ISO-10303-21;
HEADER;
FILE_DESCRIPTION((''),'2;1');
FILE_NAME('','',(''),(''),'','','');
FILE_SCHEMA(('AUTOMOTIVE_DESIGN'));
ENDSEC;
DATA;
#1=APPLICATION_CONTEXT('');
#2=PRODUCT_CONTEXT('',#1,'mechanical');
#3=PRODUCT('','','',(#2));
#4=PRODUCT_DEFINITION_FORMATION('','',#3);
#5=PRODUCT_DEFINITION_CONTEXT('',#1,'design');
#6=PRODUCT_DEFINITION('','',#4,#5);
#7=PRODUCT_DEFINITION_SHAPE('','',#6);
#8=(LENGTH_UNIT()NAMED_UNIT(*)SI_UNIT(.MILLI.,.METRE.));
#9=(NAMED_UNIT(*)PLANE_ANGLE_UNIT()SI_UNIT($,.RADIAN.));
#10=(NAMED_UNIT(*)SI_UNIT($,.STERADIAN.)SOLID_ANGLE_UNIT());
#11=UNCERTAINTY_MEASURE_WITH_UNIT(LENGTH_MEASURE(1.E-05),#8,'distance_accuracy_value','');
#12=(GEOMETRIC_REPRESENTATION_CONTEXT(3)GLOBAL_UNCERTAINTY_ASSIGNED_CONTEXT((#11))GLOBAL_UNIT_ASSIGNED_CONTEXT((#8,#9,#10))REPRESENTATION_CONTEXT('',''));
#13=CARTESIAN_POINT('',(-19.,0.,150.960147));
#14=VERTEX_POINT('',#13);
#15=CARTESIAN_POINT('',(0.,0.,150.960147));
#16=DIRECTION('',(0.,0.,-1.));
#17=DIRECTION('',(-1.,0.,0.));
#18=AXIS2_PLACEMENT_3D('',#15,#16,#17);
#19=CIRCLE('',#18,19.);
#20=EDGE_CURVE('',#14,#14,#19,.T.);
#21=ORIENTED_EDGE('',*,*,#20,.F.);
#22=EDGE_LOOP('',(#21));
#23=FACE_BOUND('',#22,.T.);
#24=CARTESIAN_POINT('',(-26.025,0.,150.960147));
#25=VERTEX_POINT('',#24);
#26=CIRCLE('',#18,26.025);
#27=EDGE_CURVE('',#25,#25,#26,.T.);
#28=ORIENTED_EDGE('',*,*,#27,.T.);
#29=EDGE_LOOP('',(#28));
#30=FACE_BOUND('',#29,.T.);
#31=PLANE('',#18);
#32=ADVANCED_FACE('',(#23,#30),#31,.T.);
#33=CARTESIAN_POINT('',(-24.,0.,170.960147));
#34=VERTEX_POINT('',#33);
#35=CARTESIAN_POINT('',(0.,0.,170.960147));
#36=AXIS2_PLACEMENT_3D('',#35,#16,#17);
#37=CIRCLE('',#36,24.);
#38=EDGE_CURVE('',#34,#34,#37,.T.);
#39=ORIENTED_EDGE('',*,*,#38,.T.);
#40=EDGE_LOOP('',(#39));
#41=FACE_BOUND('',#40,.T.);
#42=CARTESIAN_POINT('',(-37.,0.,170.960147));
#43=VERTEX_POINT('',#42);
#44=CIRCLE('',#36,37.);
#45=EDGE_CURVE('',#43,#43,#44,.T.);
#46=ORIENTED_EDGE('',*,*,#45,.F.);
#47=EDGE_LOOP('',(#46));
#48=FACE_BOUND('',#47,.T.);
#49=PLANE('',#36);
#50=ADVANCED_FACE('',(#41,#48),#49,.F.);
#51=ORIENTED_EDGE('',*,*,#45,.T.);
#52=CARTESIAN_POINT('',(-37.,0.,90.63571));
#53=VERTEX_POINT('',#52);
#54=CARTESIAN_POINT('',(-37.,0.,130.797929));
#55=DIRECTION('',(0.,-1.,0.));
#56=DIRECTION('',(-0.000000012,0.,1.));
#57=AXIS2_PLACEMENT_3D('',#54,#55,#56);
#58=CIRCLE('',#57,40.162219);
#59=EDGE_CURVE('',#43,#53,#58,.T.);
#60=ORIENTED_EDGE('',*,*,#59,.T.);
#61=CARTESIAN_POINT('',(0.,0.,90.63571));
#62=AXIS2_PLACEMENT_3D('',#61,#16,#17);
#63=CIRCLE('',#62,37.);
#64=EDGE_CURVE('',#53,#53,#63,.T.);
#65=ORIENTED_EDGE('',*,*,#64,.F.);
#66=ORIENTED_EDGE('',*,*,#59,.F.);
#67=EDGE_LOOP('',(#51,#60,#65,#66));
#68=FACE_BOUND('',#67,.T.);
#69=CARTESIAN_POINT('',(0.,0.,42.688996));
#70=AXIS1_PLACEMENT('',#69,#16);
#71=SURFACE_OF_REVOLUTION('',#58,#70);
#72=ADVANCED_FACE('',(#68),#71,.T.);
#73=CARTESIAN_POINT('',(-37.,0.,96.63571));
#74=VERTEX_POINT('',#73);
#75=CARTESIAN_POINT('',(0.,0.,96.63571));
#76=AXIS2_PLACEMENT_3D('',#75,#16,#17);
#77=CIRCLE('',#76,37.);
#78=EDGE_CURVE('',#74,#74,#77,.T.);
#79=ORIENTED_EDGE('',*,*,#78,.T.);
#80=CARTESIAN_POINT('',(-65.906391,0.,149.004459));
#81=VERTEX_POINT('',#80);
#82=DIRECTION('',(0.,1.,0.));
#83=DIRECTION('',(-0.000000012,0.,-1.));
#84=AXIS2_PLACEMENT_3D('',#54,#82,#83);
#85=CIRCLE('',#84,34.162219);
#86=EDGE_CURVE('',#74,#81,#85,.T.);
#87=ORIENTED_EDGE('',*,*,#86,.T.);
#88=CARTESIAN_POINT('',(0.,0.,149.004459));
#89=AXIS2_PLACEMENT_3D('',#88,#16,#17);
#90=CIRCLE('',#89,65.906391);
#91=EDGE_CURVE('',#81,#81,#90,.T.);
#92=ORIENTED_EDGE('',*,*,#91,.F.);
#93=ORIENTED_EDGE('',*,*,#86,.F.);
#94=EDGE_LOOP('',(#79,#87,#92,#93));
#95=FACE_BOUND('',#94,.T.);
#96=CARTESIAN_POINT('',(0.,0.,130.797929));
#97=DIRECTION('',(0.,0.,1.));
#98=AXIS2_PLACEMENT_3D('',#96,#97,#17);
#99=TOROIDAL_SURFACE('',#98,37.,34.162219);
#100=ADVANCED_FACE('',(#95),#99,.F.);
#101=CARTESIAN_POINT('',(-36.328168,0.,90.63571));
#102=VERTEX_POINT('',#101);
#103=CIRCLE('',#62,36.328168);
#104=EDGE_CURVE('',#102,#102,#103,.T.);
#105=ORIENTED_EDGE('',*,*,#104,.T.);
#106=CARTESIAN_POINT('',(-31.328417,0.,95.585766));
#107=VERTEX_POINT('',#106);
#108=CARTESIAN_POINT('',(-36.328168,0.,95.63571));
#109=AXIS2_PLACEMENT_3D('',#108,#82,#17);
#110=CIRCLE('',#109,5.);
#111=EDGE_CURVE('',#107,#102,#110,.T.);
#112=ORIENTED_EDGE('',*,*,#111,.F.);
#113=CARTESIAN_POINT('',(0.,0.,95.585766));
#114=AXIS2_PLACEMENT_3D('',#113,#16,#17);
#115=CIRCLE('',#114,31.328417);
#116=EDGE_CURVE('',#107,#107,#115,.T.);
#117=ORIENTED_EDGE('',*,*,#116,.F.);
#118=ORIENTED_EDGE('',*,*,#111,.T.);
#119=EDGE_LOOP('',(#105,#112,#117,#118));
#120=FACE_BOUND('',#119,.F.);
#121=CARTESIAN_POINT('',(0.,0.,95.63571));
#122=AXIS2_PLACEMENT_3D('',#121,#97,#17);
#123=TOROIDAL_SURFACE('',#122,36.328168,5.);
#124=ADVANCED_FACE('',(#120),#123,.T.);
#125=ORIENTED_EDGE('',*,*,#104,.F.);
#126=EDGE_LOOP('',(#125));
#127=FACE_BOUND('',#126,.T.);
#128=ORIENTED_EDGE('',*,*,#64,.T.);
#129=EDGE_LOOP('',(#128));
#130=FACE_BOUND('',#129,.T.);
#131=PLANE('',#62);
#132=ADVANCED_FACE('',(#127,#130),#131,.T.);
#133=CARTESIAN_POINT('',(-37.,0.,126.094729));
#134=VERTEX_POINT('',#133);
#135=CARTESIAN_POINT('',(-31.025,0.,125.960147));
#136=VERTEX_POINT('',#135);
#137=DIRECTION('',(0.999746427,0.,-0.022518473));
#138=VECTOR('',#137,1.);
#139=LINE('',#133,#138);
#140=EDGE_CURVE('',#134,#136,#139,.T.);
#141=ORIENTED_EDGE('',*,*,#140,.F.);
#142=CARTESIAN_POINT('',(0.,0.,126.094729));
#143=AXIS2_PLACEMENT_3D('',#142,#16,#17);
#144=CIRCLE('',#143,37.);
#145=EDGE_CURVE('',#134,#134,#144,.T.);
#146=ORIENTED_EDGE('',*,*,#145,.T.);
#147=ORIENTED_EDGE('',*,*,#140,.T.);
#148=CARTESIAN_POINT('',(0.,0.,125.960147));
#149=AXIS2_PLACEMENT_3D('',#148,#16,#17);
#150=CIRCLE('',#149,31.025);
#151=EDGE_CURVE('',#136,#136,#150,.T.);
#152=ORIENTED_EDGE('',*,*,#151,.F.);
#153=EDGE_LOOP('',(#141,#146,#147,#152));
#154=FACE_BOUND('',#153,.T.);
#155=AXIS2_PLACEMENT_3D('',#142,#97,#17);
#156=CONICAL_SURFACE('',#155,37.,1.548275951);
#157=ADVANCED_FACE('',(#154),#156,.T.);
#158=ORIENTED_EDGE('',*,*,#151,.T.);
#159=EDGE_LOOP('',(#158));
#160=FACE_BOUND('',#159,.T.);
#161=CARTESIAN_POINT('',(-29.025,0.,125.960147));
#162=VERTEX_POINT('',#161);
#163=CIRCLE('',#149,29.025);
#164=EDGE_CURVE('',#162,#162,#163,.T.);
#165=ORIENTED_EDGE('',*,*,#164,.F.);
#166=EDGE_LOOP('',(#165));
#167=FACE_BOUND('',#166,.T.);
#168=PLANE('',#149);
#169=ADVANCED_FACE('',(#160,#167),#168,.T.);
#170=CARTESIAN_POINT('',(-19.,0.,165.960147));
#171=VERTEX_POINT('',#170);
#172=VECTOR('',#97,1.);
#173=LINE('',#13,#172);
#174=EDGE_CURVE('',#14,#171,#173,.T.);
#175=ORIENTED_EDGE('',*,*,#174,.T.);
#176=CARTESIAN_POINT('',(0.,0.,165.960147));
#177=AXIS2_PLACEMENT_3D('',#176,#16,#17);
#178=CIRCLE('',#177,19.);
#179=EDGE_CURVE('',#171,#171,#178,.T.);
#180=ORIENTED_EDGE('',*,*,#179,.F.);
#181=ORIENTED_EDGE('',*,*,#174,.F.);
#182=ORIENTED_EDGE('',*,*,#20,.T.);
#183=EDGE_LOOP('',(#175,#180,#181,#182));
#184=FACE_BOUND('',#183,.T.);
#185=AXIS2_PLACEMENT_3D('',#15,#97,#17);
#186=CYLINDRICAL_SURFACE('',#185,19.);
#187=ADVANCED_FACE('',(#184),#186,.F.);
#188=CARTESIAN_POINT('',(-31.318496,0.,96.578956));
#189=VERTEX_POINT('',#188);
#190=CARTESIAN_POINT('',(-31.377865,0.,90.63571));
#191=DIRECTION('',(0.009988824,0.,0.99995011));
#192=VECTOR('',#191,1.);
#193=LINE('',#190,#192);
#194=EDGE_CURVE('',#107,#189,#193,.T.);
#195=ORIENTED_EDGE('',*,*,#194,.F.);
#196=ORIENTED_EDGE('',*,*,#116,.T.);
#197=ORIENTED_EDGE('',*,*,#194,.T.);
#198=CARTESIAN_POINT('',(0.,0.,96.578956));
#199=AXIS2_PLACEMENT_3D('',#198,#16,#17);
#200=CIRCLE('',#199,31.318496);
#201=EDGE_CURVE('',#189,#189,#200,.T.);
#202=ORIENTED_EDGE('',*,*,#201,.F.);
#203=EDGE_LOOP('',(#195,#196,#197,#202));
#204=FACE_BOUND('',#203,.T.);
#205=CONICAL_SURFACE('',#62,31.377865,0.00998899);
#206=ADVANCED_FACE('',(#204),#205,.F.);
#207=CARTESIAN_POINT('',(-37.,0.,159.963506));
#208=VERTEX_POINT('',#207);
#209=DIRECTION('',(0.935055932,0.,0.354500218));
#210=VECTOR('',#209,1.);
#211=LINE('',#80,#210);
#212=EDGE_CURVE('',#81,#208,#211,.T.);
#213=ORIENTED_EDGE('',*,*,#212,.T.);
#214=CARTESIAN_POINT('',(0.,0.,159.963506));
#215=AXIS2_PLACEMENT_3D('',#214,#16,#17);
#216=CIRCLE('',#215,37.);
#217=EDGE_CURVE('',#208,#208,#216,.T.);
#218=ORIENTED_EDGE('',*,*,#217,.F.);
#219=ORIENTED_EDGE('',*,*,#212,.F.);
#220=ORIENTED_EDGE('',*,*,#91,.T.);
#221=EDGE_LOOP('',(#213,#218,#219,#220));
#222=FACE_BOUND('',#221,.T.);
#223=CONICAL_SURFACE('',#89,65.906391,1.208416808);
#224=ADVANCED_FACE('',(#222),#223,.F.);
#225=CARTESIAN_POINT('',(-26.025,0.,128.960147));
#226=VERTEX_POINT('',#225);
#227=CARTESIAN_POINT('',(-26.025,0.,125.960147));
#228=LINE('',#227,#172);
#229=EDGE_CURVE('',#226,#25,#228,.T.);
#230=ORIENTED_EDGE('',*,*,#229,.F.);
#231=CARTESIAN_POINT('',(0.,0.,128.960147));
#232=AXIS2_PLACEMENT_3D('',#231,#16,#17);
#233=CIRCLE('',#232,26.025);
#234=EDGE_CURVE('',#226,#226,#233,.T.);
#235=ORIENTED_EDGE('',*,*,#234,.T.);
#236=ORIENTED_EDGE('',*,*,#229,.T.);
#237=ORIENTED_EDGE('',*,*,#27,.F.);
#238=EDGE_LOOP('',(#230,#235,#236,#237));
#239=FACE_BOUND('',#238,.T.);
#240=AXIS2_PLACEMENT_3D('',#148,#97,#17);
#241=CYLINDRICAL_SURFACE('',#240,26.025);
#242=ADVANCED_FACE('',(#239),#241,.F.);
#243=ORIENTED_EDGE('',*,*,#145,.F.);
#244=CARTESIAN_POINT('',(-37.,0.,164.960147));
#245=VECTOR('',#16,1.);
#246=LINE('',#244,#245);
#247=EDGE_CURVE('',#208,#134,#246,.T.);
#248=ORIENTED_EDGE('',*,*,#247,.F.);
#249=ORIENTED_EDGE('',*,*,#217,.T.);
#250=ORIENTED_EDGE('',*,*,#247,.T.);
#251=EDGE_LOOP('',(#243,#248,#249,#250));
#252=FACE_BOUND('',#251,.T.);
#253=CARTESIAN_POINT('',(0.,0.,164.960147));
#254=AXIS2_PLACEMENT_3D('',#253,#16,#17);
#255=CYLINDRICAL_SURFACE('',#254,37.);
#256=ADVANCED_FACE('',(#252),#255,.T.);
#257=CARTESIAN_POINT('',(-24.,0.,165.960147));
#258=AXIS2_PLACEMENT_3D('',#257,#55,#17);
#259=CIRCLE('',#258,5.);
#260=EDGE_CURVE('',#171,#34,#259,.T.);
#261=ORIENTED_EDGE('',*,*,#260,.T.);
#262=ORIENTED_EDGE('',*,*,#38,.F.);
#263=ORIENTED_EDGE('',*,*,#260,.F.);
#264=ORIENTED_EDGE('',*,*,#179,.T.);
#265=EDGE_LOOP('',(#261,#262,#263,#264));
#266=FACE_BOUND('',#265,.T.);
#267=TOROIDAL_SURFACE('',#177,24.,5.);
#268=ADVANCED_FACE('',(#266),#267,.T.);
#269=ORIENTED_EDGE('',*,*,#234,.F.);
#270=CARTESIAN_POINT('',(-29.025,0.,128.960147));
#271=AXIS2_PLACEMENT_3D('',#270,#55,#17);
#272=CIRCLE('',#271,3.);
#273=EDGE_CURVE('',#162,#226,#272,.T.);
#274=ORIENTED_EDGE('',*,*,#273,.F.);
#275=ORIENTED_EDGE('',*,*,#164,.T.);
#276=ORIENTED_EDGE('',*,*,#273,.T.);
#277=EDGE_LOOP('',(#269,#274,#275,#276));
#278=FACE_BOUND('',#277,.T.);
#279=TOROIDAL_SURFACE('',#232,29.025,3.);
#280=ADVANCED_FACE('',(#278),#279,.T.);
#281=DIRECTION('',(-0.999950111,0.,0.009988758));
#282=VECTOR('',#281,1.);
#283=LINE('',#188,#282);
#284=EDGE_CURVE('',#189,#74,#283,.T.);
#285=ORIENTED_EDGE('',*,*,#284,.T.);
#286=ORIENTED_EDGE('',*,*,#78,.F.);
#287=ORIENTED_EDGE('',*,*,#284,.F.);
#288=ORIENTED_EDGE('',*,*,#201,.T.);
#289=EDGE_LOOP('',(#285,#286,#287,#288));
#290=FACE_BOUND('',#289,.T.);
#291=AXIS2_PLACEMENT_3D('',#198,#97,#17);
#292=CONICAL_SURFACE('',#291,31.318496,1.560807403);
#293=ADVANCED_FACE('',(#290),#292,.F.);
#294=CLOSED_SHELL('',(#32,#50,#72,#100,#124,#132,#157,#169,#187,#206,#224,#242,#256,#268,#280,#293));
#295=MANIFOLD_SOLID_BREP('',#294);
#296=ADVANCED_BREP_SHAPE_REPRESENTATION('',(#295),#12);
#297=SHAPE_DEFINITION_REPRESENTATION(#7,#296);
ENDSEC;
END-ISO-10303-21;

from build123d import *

# Parameters (mm, degrees)
F2_R = 3
F3_R = 5


with BuildPart() as f1:
    # F0 (on Front) → F1 (revolve)
    with BuildSketch(Plane.XZ):
        with BuildLine():
            Line((-31.025, 125.960147), (-26.025, 125.960147))
            Line((-26.025, 125.960147), (-26.025, 150.960147))
            Line((-26.025, 150.960147), (-19, 150.960147))
            Line((-19, 150.960147), (-19, 170.960147))
            Line((-19, 170.960147), (-37, 170.960147))
            ThreePointArc((-37, 170.960147), (-77.162218, 130.797929), (-37, 90.63571))
            Line((-37, 90.63571), (-31.377865, 90.63571))
            Line((-31.377865, 90.63571), (-31.318496, 96.578956))
            Line((-31.318496, 96.578956), (-37, 96.63571))
            ThreePointArc((-37, 96.63571), (-66.908466, 114.289118), (-65.906391, 149.004459))
            ThreePointArc((-65.906391, 149.004459), (-53.508811, 160.706394), (-37, 164.960147))
            Line((-37, 164.960147), (-37, 159.963506))
            Line((-37, 159.963506), (-37, 126.094729))
            Line((-37, 126.094729), (-31.025, 125.960147))
        make_face()
        with BuildLine():
            Line((-65.906391, 149.004459), (-37, 159.963506))
            Line((-37, 159.963506), (-37, 164.960147))
            ThreePointArc((-37, 164.960147), (-53.508811, 160.706394), (-65.906391, 149.004459))
        make_face()
    revolve(axis=Axis((0, 0, 42.688996), (0, 0, -1)))

    # F2
    f2_edges = [f1.edges().sort_by_distance(p)[0] for p in [
        (26.025, 0, 125.960147),
    ]]
    fillet(f2_edges, radius=F2_R)

    # F3
    f3_edges = [f1.edges().sort_by_distance(p)[0] for p in [
        (31.377865, 0, 90.63571),
        (19, 0, 170.960147),
    ]]
    fillet(f3_edges, radius=F3_R)


solid = f1.part
